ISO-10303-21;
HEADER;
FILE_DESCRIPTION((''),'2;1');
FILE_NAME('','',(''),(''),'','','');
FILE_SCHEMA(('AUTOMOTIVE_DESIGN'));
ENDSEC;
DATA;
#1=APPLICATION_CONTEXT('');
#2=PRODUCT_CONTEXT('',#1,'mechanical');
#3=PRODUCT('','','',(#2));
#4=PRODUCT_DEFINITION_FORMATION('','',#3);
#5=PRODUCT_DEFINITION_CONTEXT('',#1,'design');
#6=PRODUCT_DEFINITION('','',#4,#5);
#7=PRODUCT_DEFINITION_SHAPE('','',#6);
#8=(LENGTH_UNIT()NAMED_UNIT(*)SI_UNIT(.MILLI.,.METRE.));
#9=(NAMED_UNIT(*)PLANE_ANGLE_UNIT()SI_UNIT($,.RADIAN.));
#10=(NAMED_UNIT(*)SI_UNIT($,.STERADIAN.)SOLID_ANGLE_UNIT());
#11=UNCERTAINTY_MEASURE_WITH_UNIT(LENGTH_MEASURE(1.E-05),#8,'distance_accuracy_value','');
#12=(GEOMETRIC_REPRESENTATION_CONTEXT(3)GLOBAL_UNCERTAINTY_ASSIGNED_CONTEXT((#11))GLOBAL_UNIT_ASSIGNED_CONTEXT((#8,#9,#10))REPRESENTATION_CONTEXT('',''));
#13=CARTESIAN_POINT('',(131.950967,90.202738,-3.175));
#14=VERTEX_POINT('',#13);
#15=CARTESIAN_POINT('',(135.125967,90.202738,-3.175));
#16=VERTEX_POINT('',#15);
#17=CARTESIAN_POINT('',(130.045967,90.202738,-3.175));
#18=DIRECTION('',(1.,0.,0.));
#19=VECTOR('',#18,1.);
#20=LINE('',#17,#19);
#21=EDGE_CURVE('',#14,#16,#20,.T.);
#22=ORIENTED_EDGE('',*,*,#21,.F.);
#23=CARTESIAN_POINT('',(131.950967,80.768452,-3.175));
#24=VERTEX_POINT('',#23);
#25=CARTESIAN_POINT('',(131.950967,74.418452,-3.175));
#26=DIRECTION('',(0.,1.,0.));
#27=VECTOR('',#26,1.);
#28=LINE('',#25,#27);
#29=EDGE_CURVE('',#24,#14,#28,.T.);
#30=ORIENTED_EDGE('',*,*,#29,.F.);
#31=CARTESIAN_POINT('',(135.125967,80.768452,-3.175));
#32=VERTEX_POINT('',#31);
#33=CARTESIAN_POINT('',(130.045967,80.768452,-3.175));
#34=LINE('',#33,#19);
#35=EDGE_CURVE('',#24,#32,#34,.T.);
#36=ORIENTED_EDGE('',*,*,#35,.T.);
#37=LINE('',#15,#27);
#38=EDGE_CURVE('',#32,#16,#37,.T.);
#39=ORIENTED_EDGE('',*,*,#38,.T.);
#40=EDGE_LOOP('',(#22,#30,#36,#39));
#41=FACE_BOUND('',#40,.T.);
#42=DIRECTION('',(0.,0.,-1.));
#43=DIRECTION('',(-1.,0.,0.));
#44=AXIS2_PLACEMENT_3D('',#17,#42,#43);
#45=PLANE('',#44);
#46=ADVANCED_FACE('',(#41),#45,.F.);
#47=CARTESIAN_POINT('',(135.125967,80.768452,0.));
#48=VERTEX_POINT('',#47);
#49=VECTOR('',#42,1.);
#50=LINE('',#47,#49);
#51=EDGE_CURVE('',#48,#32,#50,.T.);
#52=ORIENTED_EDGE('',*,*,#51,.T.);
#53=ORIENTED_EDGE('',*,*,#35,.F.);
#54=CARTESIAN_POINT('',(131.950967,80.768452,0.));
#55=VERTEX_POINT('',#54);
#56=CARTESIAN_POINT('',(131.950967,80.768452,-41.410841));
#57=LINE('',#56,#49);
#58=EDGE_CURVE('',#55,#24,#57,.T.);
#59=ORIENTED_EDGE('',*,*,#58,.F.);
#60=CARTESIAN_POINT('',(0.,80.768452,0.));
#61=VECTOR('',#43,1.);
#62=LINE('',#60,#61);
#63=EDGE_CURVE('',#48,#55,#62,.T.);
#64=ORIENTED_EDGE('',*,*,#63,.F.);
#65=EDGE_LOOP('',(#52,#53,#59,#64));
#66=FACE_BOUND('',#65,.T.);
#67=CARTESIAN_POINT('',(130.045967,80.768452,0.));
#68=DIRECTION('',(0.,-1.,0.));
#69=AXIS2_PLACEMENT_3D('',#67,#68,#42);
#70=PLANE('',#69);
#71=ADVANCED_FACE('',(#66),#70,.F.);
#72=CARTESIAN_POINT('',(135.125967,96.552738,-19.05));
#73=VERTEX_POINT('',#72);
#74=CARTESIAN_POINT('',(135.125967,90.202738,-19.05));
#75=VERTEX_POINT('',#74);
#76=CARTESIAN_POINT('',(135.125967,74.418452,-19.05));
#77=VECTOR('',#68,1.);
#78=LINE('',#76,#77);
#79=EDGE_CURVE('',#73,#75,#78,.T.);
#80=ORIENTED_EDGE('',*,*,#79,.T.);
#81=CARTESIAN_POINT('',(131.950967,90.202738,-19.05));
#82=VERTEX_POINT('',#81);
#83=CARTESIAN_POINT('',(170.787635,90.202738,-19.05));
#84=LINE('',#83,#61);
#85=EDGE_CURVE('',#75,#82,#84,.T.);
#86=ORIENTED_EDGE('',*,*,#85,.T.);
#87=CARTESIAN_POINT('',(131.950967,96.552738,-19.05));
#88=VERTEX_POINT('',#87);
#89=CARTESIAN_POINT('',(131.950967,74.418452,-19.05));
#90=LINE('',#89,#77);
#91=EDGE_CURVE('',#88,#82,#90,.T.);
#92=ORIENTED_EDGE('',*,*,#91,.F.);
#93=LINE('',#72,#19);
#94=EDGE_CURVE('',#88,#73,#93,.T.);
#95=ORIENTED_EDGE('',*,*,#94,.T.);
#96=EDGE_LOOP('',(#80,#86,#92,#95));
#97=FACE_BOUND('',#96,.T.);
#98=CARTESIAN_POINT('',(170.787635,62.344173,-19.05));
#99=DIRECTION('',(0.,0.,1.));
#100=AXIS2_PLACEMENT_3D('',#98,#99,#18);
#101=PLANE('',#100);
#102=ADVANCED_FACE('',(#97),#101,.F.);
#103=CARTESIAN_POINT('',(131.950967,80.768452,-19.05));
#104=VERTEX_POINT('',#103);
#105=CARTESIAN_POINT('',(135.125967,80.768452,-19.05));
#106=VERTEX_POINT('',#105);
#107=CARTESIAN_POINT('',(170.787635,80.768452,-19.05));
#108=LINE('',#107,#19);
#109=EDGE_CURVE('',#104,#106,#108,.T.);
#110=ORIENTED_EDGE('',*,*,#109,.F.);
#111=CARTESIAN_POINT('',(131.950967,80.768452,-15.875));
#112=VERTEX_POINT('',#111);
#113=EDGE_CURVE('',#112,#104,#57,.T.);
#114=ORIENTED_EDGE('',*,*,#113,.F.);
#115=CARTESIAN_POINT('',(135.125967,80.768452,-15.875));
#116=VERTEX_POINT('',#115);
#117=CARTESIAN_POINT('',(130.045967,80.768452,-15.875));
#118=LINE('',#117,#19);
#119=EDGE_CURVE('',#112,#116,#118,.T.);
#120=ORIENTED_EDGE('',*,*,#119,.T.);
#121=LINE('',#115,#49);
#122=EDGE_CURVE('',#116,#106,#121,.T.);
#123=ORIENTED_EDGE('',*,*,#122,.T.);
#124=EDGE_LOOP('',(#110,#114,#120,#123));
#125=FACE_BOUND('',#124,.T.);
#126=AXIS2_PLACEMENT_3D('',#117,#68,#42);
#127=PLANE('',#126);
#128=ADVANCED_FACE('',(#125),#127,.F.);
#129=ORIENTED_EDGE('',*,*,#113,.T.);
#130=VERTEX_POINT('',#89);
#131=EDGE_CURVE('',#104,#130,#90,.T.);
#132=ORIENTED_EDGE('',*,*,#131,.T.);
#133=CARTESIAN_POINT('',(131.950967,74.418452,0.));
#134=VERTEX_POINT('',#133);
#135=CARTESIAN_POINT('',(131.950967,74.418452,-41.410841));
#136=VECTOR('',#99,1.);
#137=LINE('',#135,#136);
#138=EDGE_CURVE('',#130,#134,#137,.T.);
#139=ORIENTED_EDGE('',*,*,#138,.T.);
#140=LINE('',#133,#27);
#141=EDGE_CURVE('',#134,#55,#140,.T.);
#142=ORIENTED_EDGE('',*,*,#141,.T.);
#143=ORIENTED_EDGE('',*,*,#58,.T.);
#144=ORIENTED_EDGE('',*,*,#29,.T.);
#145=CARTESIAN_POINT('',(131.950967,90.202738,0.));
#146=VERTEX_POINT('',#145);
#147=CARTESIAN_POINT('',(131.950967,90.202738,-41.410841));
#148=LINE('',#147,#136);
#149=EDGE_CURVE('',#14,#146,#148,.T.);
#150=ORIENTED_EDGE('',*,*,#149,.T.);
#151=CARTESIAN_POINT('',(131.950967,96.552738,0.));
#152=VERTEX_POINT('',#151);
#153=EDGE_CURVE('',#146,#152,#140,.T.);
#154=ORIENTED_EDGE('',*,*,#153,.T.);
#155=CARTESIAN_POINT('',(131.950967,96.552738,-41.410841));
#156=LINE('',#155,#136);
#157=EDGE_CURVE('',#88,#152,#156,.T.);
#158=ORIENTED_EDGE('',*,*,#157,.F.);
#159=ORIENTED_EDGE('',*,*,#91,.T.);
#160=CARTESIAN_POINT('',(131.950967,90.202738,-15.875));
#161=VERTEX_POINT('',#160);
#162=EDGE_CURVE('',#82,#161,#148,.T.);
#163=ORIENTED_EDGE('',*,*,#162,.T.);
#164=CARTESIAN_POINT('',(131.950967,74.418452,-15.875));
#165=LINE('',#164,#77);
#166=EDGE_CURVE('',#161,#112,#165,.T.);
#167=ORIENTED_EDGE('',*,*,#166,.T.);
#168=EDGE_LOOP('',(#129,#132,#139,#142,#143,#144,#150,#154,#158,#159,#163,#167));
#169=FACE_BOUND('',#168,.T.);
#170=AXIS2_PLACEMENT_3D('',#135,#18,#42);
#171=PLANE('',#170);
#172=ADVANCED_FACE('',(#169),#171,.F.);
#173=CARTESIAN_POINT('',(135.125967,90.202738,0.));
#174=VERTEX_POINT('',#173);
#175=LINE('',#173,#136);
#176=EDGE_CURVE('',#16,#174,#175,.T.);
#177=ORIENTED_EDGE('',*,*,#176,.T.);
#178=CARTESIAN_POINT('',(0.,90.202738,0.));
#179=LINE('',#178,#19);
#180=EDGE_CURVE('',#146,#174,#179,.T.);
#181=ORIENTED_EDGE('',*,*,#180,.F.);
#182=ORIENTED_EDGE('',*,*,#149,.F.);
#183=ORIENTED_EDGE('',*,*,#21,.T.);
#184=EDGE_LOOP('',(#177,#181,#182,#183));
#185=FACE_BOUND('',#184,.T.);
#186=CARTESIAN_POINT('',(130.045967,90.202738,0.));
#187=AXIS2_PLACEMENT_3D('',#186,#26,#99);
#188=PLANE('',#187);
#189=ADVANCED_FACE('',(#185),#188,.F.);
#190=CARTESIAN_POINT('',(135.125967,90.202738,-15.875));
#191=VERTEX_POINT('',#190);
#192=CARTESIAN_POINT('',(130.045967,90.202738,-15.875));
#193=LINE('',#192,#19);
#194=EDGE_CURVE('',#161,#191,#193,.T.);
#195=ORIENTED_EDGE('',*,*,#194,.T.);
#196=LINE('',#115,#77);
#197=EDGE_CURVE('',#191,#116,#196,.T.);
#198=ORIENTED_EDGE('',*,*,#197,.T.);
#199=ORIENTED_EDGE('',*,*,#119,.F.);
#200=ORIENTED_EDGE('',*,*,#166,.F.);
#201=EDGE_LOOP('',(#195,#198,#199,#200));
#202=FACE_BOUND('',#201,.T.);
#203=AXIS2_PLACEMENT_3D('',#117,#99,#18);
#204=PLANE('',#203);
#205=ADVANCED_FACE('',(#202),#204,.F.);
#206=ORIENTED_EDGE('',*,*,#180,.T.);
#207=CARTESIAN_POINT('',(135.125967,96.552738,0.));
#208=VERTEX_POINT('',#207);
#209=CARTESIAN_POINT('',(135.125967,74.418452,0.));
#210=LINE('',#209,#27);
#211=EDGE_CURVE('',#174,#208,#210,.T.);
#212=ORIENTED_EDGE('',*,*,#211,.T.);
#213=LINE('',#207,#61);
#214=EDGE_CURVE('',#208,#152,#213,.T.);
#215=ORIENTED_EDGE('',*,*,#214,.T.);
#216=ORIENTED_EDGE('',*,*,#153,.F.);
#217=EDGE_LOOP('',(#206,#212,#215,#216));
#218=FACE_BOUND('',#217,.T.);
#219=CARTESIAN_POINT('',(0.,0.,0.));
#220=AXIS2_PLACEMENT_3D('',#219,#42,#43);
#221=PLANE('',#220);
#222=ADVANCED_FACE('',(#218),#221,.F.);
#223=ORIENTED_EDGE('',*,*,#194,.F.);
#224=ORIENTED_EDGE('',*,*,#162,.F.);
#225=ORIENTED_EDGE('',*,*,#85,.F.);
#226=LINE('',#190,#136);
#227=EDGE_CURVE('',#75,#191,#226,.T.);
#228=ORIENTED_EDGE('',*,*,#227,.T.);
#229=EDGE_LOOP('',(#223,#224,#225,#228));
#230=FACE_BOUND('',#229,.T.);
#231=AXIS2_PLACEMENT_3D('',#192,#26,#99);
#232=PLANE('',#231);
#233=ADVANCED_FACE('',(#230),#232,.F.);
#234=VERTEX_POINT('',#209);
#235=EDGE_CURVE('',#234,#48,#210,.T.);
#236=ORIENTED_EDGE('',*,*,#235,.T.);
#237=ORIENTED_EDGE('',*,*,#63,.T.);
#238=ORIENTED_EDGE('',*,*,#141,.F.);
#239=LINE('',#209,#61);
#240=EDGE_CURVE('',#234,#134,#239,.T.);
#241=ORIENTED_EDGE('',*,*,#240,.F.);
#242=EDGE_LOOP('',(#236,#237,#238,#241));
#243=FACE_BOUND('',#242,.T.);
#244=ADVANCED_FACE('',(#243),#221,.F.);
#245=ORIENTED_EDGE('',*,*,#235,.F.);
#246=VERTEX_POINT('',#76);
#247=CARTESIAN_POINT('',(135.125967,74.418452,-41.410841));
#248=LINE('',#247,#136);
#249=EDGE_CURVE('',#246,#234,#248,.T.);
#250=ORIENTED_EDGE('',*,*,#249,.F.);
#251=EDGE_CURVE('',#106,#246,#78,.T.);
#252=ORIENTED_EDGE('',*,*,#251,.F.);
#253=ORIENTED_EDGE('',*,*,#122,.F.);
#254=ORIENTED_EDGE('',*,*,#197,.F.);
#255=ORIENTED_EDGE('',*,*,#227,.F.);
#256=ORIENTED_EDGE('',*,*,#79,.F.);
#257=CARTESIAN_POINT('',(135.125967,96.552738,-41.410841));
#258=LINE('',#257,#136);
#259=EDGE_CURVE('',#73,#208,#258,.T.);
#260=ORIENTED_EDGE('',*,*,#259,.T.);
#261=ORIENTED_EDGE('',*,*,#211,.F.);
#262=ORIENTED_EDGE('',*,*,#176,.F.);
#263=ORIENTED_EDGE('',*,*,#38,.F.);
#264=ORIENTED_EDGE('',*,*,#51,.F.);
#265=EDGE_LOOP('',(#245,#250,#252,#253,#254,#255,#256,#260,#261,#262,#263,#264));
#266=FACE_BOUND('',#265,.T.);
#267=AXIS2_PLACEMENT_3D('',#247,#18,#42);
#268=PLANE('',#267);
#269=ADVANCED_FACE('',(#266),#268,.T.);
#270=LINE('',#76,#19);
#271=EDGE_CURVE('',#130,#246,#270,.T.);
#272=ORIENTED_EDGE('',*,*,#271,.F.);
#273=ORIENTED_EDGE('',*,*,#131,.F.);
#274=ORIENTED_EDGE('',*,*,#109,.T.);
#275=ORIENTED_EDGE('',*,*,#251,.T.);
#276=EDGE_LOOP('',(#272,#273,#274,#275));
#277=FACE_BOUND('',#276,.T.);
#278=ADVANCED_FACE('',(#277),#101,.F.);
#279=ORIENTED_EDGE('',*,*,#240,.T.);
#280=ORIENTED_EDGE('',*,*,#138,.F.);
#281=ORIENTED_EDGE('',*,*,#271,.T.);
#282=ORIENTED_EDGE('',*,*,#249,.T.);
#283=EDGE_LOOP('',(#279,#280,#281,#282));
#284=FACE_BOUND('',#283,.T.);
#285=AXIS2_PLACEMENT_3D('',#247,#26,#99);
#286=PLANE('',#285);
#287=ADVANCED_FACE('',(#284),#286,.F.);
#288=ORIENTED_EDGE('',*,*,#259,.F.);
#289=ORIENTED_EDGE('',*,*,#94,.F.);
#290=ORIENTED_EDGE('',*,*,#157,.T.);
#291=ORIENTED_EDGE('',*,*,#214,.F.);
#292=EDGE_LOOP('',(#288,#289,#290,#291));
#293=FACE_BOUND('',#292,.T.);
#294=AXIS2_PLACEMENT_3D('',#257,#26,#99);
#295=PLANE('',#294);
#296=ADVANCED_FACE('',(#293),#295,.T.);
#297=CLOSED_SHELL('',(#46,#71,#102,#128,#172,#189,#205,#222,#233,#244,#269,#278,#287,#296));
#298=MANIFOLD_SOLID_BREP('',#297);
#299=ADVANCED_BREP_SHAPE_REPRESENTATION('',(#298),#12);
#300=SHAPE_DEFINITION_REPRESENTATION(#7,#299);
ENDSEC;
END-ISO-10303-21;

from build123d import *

# Parameters (mm, degrees)
SKETCH1_W           = 3.175
SKETCH1_H           = 22.134285714
BOSS_EXTRUDE1_DEPTH = 19.05
SKETCH2_W           = 3.175
SKETCH2_H           = 9.434285714
CUT_EXTRUDE1_DEPTH  = 5.08


with BuildPart() as part:
    # Sketch1 → Boss-Extrude1 (new body)
    with BuildSketch(Plane.XY):
        with Locations((133.538466969, 85.485595066)):
            Rectangle(SKETCH1_W, SKETCH1_H)
    extrude(amount=-BOSS_EXTRUDE1_DEPTH)

    # Sketch2 → Cut-Extrude1 (cut)
    with BuildSketch(Plane(origin=(135.125966969, 0, 0), x_dir=(0, 0, -1), z_dir=(1, 0, 0))):
        with Locations((1.5875, 85.485595066)):
            Rectangle(SKETCH2_W, SKETCH2_H)
        with Locations((17.4625, 85.485595066)):
            Rectangle(SKETCH2_W, SKETCH2_H)
    extrude(amount=-CUT_EXTRUDE1_DEPTH, mode=Mode.SUBTRACT)


solid = part.part
